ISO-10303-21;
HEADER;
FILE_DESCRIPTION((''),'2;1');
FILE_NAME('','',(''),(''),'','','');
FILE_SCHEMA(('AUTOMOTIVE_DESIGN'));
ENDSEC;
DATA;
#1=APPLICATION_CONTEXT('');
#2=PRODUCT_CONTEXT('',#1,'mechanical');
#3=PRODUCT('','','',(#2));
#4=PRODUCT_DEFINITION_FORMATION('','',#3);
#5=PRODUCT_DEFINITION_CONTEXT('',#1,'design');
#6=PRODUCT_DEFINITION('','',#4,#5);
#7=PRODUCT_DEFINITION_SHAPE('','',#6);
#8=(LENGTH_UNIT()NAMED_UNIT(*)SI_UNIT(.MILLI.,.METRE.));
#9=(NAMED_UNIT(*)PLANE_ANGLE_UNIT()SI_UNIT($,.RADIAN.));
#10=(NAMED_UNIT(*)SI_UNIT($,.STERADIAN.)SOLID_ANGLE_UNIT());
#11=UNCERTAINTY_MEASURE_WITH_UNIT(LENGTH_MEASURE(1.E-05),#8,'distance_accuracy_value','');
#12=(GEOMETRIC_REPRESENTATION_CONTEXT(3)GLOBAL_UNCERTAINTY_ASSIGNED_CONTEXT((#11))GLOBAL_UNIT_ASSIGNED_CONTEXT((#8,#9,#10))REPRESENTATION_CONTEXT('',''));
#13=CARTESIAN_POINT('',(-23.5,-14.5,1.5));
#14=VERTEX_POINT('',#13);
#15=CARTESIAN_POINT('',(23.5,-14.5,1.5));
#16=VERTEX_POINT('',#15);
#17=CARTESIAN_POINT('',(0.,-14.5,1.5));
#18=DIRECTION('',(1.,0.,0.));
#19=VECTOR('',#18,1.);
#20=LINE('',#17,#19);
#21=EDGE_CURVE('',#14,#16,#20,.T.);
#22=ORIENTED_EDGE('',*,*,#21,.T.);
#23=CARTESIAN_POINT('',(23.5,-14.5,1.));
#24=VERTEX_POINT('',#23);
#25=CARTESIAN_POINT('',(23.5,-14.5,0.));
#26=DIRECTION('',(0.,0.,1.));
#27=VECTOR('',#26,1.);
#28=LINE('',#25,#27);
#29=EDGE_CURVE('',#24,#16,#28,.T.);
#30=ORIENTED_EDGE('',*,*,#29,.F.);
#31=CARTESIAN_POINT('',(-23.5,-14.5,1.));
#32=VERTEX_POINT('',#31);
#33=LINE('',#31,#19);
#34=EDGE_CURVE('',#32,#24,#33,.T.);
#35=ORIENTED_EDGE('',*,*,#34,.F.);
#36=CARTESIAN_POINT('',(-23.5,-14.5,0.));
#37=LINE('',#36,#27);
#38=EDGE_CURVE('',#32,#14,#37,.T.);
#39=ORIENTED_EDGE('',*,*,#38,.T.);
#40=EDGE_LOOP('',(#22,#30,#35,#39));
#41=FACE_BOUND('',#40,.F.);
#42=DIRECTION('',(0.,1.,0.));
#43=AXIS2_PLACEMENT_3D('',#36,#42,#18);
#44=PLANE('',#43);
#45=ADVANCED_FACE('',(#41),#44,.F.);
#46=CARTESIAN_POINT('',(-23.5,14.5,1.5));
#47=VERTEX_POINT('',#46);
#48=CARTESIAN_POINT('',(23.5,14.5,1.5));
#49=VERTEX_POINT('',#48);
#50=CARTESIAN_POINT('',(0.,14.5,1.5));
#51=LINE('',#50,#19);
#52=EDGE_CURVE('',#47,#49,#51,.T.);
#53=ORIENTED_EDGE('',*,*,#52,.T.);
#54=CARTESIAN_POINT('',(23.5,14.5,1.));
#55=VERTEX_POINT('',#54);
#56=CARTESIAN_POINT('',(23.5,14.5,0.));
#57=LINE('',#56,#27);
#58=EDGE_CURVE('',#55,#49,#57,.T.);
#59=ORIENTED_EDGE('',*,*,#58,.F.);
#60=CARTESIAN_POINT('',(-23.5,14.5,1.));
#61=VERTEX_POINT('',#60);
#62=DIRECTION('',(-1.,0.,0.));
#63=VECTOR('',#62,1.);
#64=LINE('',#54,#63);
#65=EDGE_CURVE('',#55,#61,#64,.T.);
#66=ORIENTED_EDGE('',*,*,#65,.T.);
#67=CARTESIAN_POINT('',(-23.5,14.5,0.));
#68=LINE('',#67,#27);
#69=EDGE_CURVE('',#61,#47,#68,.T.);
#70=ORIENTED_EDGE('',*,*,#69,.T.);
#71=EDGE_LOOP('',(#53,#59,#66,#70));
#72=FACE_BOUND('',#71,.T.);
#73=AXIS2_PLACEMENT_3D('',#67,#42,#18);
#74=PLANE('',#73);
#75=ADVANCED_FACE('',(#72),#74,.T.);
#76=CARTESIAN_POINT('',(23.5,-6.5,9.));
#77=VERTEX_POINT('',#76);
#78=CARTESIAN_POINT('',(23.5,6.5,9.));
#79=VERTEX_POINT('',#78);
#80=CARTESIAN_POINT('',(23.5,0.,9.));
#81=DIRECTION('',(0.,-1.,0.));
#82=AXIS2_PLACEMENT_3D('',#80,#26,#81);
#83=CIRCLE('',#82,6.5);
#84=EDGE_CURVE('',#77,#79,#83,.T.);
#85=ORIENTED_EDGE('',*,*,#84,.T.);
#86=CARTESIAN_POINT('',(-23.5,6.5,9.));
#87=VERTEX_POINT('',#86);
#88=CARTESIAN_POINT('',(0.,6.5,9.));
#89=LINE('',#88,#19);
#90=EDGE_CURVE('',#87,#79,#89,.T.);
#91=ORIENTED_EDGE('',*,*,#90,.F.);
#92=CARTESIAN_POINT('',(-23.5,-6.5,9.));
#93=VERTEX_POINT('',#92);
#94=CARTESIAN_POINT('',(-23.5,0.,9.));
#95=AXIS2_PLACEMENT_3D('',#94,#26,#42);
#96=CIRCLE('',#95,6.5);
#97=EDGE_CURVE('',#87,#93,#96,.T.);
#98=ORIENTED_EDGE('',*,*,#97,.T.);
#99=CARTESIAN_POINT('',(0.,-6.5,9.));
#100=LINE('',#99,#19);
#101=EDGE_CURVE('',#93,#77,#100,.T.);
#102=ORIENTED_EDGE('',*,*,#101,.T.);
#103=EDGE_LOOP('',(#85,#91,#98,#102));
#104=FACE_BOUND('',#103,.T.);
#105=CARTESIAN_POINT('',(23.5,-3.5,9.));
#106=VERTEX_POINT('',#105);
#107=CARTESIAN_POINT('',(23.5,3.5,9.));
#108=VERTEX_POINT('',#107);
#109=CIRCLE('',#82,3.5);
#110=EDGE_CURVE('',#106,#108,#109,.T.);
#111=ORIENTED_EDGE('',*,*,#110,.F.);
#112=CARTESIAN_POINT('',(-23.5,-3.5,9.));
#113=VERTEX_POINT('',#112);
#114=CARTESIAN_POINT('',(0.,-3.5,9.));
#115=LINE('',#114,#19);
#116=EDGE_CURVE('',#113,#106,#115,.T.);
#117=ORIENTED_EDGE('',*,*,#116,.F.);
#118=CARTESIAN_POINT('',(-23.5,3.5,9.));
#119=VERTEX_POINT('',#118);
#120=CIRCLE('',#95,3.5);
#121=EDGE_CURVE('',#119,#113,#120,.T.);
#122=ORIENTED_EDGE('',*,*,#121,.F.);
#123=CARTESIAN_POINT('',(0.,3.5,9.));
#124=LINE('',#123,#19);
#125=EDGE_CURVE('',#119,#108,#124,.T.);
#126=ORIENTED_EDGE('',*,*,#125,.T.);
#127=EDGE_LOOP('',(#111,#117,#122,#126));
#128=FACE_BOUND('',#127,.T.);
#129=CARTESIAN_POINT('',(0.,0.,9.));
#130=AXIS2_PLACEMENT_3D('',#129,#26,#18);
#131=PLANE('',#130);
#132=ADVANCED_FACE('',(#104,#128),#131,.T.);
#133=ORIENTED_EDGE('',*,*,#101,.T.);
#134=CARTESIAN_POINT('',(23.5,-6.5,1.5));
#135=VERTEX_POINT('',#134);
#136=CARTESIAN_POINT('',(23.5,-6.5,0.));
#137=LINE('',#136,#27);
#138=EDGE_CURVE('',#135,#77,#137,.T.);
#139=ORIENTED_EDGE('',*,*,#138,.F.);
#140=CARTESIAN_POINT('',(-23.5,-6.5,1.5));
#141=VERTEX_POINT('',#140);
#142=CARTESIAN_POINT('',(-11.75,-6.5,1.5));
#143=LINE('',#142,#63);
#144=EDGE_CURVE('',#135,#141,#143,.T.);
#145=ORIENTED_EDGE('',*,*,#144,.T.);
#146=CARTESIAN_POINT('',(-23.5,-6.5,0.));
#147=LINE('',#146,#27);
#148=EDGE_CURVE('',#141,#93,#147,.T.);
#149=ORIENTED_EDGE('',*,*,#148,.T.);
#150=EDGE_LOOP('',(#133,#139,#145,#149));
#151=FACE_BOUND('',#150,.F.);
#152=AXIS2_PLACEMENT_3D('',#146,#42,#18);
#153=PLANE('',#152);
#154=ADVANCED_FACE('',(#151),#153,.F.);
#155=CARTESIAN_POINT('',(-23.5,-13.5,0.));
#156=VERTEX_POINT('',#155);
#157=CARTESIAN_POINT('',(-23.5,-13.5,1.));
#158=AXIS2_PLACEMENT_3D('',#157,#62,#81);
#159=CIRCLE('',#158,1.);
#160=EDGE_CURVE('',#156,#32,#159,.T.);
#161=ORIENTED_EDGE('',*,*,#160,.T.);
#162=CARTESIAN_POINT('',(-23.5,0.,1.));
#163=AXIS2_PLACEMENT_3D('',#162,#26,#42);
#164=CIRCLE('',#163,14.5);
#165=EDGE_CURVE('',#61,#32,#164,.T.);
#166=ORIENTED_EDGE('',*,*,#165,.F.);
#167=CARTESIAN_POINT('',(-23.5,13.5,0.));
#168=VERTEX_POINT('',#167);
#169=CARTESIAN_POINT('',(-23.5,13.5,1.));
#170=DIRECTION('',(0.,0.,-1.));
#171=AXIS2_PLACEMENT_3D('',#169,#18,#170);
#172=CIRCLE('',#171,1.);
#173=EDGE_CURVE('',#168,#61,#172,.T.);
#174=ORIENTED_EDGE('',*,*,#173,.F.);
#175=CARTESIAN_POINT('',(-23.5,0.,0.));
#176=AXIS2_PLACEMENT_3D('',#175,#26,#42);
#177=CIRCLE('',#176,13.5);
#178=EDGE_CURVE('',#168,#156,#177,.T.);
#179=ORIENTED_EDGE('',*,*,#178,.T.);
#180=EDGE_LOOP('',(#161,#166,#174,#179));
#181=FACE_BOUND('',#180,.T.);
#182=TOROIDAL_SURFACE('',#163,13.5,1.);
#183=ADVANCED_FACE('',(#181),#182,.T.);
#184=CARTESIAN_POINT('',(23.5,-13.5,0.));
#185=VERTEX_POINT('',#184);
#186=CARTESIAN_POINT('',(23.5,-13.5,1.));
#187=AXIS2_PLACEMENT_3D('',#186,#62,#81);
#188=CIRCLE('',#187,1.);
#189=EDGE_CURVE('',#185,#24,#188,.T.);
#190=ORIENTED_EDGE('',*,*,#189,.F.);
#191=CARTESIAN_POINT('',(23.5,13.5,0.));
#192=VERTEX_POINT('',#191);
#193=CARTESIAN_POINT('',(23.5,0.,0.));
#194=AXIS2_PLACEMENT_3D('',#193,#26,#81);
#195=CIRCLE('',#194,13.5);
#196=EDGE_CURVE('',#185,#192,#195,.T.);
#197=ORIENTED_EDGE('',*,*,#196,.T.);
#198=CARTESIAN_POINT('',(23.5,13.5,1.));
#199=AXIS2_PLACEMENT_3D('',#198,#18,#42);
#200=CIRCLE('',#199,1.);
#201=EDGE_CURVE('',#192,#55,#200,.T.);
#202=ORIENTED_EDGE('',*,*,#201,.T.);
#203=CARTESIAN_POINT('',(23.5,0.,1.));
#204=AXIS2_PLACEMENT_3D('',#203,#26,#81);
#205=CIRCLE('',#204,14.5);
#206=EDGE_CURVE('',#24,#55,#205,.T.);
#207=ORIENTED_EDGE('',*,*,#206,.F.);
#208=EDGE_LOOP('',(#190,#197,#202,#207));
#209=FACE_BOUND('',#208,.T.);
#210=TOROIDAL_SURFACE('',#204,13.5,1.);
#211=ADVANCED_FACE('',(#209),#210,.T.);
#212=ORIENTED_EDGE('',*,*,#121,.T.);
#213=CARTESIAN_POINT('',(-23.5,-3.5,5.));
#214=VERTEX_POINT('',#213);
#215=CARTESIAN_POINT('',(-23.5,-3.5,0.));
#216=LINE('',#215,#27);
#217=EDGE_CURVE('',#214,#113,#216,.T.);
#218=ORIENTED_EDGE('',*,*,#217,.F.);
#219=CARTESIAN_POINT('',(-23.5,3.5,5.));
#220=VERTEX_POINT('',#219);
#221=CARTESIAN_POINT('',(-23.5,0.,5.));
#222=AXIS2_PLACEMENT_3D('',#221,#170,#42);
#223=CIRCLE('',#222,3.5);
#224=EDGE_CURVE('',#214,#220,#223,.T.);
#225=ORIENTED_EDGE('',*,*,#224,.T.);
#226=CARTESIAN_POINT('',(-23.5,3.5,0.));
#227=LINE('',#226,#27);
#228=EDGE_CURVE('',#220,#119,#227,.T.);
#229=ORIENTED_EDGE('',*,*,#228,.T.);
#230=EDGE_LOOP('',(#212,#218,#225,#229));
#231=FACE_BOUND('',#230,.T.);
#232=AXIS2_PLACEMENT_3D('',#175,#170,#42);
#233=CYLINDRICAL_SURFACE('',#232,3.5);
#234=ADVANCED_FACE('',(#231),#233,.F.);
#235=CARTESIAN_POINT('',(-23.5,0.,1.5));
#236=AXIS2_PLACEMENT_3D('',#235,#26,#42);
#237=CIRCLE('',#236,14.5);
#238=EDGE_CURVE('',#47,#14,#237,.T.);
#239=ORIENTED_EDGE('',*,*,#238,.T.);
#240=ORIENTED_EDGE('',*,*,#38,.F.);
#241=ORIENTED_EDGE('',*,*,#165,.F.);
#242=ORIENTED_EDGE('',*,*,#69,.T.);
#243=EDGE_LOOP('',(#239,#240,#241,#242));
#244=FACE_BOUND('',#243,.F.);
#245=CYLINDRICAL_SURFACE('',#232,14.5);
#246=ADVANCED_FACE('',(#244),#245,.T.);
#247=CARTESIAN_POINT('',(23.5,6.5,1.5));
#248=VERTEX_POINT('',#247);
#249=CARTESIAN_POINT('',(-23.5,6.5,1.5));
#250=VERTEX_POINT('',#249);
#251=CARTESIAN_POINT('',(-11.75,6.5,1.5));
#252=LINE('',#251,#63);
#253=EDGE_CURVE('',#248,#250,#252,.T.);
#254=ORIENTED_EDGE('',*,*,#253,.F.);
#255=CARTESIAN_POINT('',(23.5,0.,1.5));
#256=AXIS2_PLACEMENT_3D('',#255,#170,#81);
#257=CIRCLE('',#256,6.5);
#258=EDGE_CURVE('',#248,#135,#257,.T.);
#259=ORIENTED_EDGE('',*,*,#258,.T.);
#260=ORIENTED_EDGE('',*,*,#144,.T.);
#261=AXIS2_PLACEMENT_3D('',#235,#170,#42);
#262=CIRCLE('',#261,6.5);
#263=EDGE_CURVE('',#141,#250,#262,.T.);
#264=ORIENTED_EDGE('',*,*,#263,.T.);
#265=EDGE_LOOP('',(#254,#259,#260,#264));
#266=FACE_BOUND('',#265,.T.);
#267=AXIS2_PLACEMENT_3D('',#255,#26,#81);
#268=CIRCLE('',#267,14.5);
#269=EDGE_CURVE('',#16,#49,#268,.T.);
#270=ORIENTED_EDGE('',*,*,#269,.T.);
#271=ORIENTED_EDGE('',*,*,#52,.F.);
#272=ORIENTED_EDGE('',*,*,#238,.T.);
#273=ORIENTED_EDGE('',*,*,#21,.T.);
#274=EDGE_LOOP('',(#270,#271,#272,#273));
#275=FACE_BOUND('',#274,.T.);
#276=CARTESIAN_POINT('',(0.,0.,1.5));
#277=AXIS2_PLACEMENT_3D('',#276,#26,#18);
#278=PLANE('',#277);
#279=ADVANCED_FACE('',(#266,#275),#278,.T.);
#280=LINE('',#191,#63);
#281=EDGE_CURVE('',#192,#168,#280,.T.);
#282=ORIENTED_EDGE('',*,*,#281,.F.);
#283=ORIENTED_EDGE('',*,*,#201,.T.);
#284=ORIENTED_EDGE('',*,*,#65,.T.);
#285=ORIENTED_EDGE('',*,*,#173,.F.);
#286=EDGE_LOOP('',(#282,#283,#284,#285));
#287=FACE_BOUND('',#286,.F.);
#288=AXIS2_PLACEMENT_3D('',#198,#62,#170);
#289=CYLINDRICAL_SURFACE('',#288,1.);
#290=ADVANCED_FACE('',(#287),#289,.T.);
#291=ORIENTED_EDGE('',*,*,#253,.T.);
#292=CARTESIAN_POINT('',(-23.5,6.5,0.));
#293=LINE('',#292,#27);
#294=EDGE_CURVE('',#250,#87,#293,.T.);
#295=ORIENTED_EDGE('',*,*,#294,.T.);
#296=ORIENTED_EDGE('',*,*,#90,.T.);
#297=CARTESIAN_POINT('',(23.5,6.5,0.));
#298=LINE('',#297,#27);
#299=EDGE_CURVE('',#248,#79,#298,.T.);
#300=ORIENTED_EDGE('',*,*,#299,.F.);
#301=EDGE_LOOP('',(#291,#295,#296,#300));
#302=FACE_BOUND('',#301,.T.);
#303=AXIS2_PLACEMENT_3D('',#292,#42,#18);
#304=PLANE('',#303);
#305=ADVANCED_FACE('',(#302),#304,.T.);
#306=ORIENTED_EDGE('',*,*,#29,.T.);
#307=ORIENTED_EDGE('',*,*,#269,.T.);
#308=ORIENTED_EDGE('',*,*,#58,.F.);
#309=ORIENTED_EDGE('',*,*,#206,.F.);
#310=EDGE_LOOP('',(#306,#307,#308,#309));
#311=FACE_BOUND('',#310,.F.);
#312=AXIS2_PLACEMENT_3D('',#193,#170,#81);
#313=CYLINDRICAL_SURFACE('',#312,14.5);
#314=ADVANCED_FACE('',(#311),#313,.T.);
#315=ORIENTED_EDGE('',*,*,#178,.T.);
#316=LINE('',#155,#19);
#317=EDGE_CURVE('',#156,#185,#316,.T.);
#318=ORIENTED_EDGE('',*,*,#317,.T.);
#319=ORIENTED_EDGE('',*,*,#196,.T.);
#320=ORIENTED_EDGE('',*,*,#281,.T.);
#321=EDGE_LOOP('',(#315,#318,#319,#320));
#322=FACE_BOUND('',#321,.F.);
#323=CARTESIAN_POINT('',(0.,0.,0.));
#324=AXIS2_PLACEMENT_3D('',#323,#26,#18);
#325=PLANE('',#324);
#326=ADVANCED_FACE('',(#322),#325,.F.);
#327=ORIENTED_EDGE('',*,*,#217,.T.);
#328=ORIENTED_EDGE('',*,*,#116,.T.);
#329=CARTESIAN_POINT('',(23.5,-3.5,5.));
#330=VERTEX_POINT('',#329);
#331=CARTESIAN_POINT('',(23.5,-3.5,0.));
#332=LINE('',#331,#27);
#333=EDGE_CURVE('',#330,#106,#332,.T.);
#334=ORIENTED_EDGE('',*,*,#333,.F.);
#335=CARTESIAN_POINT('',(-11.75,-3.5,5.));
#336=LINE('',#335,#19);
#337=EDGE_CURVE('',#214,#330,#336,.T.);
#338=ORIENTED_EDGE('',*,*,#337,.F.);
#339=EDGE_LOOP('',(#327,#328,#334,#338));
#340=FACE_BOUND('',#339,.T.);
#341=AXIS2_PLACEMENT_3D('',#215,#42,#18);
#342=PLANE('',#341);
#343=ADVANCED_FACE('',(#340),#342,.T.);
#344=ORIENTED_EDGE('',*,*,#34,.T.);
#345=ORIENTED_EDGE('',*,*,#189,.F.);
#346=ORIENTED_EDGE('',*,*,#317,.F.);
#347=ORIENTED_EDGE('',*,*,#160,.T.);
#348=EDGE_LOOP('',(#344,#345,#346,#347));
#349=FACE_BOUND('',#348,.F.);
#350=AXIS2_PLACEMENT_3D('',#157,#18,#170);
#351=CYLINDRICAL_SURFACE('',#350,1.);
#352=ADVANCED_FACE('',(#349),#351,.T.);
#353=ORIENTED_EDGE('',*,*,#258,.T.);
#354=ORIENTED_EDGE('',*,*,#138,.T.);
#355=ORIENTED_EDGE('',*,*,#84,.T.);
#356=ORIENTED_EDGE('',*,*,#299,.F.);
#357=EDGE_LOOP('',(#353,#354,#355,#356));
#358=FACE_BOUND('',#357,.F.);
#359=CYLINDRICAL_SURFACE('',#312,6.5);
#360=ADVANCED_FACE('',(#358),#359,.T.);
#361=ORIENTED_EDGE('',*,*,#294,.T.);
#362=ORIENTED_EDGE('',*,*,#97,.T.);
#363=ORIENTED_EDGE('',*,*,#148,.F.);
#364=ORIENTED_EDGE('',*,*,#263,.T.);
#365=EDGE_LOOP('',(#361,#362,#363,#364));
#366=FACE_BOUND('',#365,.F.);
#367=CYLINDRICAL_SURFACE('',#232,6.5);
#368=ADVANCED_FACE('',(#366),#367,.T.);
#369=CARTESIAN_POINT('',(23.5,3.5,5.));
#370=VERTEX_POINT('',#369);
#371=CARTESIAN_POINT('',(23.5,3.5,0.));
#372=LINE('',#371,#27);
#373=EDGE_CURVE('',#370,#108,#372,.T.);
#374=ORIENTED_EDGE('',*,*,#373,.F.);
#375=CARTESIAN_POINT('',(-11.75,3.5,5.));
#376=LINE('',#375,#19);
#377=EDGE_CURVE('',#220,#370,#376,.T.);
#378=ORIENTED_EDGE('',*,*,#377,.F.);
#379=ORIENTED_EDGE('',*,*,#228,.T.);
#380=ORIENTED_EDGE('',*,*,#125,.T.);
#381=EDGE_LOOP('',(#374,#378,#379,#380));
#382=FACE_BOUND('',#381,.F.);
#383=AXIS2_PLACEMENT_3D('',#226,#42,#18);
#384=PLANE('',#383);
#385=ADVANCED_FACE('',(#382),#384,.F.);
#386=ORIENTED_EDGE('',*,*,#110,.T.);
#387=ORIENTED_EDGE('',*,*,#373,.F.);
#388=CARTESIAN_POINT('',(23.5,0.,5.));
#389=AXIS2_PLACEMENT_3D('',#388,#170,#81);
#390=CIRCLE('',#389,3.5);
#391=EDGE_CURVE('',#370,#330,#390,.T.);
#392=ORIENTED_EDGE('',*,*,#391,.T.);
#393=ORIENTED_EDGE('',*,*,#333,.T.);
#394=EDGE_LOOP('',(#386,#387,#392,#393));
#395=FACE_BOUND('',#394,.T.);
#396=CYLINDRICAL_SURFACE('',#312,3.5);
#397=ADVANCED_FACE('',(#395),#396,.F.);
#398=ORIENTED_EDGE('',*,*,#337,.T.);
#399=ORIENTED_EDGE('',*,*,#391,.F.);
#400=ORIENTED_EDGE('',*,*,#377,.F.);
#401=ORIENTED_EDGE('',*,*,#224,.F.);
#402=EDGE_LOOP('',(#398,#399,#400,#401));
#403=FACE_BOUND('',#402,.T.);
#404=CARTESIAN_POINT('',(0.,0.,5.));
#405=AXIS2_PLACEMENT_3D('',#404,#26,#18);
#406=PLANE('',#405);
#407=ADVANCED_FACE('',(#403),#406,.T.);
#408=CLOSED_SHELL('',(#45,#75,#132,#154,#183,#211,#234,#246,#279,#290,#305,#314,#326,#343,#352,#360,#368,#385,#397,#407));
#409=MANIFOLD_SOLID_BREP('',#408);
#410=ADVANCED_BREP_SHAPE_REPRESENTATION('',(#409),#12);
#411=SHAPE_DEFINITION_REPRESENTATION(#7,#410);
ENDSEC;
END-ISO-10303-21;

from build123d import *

# Parameters (mm, degrees)
F0_W     = 47
F0_H     = 29
F1_DEPTH = 1.5
F2_W     = 47
F2_H     = 13
F3_DEPTH = 9
F4_T     = -3
F5_R     = 1
F6_DEPTH = 2


with BuildPart() as f1:
    # F0 (on Top) → F1 (new body)
    with BuildSketch(Plane.XY):
        Rectangle(F0_W, F0_H)
        with BuildLine():
            Line((23.5, 14.5), (23.5, -14.5))
            ThreePointArc((23.5, -14.5), (38, 0), (23.5, 14.5))
        make_face()
        with BuildLine():
            ThreePointArc((-23.5, 14.5), (-38, 0), (-23.5, -14.5))
            Line((-23.5, -14.5), (-23.5, 14.5))
        make_face()
    extrude(amount=F1_DEPTH)

    # F2 (on face) → F3 (join)
    with BuildSketch(Plane.XY):
        Rectangle(F2_W, F2_H)
        with BuildLine():
            Line((23.5, 6.5), (23.5, -6.5))
            ThreePointArc((23.5, -6.5), (30, 0), (23.5, 6.5))
        make_face()
        with BuildLine():
            ThreePointArc((-23.5, 6.5), (-30, 0), (-23.5, -6.5))
            Line((-23.5, -6.5), (-23.5, 6.5))
        make_face()
    extrude(amount=F3_DEPTH)

    # F4
    f4_openings = [f1.faces().sort_by_distance(p)[0] for p in [
        (0, 0, 9),
    ]]
    offset(amount=F4_T, openings=f4_openings)

    # F5
    f5_edges = [f1.edges().sort_by_distance(p)[0] for p in [
        (38, 0, 0),
        (0, -14.5, 0),
        (-38, 0, 0),
        (0, 14.5, 0),
    ]]
    fillet(f5_edges, radius=F5_R)

    # F6 (add): a face of the model
    f6_faces = [f1.faces().sort_by_distance(p)[0] for p in [
        (0, 0, 3),
    ]]
    extrude(f6_faces, amount=F6_DEPTH)


solid = f1.part
